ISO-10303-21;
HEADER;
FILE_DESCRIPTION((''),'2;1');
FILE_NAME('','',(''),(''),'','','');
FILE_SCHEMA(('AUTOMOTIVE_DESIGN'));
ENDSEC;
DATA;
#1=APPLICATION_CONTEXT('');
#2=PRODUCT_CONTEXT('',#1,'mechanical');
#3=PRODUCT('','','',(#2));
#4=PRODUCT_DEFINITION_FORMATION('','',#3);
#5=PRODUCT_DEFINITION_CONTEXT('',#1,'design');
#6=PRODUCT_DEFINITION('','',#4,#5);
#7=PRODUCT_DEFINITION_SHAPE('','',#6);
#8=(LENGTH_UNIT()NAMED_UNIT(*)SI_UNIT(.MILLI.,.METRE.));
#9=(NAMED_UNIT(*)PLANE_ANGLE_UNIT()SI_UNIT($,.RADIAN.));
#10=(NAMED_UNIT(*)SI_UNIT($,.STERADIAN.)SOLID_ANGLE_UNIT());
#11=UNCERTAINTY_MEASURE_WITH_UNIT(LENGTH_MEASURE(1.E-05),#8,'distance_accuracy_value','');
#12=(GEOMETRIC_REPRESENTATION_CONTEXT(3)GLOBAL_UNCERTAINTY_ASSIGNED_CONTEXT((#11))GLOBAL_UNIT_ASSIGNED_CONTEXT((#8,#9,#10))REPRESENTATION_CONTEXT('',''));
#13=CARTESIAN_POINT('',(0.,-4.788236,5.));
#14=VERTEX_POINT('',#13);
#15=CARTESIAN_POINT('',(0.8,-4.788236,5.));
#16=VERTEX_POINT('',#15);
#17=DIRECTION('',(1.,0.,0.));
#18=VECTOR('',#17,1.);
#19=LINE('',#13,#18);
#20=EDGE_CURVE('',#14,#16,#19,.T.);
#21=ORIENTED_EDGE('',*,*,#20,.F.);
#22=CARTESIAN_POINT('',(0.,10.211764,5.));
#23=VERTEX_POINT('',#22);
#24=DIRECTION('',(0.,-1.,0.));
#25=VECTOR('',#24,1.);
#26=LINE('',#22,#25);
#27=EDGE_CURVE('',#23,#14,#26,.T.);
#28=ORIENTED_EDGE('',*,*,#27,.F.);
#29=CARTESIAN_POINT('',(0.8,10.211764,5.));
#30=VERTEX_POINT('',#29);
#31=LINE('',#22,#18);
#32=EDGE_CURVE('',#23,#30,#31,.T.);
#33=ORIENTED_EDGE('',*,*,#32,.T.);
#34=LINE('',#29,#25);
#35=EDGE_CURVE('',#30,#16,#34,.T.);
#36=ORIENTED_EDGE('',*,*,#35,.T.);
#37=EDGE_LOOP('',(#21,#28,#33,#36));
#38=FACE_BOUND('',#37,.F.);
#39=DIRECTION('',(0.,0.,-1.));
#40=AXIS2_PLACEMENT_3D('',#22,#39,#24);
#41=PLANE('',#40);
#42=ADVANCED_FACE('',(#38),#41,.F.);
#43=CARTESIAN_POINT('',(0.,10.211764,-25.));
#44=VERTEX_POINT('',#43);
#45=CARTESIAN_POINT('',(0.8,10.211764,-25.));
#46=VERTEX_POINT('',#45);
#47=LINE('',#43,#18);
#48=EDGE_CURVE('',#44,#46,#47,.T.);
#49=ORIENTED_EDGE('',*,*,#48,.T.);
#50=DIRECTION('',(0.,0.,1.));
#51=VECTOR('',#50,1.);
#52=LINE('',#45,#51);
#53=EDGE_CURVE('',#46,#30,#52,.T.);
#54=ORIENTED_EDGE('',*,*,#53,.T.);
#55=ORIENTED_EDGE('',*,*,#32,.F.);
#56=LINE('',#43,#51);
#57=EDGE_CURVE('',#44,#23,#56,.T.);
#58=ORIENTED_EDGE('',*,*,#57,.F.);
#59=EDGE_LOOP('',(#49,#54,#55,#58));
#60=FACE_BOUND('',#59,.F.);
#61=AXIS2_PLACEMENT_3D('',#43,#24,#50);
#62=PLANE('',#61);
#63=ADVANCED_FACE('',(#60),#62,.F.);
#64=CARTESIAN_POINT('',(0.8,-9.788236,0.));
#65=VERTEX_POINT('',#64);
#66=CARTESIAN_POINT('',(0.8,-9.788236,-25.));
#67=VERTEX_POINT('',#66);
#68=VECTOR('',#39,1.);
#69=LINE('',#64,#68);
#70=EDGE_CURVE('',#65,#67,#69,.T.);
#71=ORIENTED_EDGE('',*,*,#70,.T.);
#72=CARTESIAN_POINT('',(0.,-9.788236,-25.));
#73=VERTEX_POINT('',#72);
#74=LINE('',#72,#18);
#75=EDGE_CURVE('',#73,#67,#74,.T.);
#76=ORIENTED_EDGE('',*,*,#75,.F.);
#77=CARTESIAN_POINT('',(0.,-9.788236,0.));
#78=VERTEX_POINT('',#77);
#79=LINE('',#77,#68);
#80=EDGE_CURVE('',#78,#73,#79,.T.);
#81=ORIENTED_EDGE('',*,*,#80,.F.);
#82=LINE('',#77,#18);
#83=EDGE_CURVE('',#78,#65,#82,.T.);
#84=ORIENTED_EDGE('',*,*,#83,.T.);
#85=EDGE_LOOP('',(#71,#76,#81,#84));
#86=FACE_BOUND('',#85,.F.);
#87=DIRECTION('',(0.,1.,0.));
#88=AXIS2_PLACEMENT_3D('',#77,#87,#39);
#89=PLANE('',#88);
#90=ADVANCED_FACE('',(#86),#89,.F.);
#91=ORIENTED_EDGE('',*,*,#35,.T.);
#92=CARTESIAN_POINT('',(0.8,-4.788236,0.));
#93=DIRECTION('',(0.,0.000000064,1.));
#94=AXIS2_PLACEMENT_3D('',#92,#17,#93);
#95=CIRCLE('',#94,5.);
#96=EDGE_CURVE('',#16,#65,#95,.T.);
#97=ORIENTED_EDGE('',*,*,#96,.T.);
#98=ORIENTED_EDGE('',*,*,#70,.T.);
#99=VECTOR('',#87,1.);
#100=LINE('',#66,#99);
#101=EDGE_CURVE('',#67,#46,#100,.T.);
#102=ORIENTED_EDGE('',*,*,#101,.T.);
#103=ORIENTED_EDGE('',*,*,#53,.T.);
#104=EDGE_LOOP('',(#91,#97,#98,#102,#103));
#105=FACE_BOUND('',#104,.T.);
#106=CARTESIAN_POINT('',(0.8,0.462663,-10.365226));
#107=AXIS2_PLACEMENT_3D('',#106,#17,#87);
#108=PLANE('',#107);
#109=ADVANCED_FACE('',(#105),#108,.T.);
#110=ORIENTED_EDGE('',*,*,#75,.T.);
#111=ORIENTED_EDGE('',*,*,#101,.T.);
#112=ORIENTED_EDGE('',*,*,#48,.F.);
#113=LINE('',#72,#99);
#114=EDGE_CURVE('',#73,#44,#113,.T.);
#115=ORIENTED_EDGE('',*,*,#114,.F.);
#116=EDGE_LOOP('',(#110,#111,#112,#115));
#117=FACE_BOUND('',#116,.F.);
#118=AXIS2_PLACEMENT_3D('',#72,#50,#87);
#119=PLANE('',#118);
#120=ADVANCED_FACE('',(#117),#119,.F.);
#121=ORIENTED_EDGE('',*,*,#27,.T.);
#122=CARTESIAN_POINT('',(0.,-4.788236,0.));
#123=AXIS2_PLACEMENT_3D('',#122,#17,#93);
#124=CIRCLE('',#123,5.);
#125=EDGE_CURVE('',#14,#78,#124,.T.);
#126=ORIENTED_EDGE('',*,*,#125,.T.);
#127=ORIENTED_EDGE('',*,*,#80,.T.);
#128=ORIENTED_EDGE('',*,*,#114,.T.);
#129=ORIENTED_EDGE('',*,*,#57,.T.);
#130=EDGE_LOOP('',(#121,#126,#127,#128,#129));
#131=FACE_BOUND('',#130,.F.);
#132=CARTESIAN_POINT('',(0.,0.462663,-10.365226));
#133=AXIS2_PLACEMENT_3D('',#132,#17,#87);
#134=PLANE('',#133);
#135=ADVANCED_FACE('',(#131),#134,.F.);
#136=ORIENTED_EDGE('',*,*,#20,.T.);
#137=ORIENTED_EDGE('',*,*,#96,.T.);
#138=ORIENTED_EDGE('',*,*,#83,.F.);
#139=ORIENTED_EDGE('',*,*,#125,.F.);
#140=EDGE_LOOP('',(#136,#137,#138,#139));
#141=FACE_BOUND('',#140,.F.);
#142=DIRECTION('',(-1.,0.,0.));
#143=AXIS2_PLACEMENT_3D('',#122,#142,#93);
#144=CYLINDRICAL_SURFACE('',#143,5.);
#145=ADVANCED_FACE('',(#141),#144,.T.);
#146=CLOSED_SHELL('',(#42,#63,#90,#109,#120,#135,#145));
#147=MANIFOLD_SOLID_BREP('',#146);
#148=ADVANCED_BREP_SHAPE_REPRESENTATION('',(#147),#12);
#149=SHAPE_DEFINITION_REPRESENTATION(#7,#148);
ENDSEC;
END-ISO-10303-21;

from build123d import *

# Parameters (mm, degrees)
F1_DEPTH = 0.8


with BuildPart() as f1:
    # F0 (on Right) → F1 (new body)
    with BuildSketch(Plane.YZ):
        with BuildLine():
            ThreePointArc((-4.788236, 5), (-8.32377, 3.535534), (-9.788236, 0))
            Line((-9.788236, 0), (-9.788236, -25))
            Line((-9.788236, -25), (10.211764, -25))
            Line((10.211764, -25), (10.211764, 5))
            Line((10.211764, 5), (-4.788236, 5))
        make_face()
    extrude(amount=F1_DEPTH)


solid = f1.part
